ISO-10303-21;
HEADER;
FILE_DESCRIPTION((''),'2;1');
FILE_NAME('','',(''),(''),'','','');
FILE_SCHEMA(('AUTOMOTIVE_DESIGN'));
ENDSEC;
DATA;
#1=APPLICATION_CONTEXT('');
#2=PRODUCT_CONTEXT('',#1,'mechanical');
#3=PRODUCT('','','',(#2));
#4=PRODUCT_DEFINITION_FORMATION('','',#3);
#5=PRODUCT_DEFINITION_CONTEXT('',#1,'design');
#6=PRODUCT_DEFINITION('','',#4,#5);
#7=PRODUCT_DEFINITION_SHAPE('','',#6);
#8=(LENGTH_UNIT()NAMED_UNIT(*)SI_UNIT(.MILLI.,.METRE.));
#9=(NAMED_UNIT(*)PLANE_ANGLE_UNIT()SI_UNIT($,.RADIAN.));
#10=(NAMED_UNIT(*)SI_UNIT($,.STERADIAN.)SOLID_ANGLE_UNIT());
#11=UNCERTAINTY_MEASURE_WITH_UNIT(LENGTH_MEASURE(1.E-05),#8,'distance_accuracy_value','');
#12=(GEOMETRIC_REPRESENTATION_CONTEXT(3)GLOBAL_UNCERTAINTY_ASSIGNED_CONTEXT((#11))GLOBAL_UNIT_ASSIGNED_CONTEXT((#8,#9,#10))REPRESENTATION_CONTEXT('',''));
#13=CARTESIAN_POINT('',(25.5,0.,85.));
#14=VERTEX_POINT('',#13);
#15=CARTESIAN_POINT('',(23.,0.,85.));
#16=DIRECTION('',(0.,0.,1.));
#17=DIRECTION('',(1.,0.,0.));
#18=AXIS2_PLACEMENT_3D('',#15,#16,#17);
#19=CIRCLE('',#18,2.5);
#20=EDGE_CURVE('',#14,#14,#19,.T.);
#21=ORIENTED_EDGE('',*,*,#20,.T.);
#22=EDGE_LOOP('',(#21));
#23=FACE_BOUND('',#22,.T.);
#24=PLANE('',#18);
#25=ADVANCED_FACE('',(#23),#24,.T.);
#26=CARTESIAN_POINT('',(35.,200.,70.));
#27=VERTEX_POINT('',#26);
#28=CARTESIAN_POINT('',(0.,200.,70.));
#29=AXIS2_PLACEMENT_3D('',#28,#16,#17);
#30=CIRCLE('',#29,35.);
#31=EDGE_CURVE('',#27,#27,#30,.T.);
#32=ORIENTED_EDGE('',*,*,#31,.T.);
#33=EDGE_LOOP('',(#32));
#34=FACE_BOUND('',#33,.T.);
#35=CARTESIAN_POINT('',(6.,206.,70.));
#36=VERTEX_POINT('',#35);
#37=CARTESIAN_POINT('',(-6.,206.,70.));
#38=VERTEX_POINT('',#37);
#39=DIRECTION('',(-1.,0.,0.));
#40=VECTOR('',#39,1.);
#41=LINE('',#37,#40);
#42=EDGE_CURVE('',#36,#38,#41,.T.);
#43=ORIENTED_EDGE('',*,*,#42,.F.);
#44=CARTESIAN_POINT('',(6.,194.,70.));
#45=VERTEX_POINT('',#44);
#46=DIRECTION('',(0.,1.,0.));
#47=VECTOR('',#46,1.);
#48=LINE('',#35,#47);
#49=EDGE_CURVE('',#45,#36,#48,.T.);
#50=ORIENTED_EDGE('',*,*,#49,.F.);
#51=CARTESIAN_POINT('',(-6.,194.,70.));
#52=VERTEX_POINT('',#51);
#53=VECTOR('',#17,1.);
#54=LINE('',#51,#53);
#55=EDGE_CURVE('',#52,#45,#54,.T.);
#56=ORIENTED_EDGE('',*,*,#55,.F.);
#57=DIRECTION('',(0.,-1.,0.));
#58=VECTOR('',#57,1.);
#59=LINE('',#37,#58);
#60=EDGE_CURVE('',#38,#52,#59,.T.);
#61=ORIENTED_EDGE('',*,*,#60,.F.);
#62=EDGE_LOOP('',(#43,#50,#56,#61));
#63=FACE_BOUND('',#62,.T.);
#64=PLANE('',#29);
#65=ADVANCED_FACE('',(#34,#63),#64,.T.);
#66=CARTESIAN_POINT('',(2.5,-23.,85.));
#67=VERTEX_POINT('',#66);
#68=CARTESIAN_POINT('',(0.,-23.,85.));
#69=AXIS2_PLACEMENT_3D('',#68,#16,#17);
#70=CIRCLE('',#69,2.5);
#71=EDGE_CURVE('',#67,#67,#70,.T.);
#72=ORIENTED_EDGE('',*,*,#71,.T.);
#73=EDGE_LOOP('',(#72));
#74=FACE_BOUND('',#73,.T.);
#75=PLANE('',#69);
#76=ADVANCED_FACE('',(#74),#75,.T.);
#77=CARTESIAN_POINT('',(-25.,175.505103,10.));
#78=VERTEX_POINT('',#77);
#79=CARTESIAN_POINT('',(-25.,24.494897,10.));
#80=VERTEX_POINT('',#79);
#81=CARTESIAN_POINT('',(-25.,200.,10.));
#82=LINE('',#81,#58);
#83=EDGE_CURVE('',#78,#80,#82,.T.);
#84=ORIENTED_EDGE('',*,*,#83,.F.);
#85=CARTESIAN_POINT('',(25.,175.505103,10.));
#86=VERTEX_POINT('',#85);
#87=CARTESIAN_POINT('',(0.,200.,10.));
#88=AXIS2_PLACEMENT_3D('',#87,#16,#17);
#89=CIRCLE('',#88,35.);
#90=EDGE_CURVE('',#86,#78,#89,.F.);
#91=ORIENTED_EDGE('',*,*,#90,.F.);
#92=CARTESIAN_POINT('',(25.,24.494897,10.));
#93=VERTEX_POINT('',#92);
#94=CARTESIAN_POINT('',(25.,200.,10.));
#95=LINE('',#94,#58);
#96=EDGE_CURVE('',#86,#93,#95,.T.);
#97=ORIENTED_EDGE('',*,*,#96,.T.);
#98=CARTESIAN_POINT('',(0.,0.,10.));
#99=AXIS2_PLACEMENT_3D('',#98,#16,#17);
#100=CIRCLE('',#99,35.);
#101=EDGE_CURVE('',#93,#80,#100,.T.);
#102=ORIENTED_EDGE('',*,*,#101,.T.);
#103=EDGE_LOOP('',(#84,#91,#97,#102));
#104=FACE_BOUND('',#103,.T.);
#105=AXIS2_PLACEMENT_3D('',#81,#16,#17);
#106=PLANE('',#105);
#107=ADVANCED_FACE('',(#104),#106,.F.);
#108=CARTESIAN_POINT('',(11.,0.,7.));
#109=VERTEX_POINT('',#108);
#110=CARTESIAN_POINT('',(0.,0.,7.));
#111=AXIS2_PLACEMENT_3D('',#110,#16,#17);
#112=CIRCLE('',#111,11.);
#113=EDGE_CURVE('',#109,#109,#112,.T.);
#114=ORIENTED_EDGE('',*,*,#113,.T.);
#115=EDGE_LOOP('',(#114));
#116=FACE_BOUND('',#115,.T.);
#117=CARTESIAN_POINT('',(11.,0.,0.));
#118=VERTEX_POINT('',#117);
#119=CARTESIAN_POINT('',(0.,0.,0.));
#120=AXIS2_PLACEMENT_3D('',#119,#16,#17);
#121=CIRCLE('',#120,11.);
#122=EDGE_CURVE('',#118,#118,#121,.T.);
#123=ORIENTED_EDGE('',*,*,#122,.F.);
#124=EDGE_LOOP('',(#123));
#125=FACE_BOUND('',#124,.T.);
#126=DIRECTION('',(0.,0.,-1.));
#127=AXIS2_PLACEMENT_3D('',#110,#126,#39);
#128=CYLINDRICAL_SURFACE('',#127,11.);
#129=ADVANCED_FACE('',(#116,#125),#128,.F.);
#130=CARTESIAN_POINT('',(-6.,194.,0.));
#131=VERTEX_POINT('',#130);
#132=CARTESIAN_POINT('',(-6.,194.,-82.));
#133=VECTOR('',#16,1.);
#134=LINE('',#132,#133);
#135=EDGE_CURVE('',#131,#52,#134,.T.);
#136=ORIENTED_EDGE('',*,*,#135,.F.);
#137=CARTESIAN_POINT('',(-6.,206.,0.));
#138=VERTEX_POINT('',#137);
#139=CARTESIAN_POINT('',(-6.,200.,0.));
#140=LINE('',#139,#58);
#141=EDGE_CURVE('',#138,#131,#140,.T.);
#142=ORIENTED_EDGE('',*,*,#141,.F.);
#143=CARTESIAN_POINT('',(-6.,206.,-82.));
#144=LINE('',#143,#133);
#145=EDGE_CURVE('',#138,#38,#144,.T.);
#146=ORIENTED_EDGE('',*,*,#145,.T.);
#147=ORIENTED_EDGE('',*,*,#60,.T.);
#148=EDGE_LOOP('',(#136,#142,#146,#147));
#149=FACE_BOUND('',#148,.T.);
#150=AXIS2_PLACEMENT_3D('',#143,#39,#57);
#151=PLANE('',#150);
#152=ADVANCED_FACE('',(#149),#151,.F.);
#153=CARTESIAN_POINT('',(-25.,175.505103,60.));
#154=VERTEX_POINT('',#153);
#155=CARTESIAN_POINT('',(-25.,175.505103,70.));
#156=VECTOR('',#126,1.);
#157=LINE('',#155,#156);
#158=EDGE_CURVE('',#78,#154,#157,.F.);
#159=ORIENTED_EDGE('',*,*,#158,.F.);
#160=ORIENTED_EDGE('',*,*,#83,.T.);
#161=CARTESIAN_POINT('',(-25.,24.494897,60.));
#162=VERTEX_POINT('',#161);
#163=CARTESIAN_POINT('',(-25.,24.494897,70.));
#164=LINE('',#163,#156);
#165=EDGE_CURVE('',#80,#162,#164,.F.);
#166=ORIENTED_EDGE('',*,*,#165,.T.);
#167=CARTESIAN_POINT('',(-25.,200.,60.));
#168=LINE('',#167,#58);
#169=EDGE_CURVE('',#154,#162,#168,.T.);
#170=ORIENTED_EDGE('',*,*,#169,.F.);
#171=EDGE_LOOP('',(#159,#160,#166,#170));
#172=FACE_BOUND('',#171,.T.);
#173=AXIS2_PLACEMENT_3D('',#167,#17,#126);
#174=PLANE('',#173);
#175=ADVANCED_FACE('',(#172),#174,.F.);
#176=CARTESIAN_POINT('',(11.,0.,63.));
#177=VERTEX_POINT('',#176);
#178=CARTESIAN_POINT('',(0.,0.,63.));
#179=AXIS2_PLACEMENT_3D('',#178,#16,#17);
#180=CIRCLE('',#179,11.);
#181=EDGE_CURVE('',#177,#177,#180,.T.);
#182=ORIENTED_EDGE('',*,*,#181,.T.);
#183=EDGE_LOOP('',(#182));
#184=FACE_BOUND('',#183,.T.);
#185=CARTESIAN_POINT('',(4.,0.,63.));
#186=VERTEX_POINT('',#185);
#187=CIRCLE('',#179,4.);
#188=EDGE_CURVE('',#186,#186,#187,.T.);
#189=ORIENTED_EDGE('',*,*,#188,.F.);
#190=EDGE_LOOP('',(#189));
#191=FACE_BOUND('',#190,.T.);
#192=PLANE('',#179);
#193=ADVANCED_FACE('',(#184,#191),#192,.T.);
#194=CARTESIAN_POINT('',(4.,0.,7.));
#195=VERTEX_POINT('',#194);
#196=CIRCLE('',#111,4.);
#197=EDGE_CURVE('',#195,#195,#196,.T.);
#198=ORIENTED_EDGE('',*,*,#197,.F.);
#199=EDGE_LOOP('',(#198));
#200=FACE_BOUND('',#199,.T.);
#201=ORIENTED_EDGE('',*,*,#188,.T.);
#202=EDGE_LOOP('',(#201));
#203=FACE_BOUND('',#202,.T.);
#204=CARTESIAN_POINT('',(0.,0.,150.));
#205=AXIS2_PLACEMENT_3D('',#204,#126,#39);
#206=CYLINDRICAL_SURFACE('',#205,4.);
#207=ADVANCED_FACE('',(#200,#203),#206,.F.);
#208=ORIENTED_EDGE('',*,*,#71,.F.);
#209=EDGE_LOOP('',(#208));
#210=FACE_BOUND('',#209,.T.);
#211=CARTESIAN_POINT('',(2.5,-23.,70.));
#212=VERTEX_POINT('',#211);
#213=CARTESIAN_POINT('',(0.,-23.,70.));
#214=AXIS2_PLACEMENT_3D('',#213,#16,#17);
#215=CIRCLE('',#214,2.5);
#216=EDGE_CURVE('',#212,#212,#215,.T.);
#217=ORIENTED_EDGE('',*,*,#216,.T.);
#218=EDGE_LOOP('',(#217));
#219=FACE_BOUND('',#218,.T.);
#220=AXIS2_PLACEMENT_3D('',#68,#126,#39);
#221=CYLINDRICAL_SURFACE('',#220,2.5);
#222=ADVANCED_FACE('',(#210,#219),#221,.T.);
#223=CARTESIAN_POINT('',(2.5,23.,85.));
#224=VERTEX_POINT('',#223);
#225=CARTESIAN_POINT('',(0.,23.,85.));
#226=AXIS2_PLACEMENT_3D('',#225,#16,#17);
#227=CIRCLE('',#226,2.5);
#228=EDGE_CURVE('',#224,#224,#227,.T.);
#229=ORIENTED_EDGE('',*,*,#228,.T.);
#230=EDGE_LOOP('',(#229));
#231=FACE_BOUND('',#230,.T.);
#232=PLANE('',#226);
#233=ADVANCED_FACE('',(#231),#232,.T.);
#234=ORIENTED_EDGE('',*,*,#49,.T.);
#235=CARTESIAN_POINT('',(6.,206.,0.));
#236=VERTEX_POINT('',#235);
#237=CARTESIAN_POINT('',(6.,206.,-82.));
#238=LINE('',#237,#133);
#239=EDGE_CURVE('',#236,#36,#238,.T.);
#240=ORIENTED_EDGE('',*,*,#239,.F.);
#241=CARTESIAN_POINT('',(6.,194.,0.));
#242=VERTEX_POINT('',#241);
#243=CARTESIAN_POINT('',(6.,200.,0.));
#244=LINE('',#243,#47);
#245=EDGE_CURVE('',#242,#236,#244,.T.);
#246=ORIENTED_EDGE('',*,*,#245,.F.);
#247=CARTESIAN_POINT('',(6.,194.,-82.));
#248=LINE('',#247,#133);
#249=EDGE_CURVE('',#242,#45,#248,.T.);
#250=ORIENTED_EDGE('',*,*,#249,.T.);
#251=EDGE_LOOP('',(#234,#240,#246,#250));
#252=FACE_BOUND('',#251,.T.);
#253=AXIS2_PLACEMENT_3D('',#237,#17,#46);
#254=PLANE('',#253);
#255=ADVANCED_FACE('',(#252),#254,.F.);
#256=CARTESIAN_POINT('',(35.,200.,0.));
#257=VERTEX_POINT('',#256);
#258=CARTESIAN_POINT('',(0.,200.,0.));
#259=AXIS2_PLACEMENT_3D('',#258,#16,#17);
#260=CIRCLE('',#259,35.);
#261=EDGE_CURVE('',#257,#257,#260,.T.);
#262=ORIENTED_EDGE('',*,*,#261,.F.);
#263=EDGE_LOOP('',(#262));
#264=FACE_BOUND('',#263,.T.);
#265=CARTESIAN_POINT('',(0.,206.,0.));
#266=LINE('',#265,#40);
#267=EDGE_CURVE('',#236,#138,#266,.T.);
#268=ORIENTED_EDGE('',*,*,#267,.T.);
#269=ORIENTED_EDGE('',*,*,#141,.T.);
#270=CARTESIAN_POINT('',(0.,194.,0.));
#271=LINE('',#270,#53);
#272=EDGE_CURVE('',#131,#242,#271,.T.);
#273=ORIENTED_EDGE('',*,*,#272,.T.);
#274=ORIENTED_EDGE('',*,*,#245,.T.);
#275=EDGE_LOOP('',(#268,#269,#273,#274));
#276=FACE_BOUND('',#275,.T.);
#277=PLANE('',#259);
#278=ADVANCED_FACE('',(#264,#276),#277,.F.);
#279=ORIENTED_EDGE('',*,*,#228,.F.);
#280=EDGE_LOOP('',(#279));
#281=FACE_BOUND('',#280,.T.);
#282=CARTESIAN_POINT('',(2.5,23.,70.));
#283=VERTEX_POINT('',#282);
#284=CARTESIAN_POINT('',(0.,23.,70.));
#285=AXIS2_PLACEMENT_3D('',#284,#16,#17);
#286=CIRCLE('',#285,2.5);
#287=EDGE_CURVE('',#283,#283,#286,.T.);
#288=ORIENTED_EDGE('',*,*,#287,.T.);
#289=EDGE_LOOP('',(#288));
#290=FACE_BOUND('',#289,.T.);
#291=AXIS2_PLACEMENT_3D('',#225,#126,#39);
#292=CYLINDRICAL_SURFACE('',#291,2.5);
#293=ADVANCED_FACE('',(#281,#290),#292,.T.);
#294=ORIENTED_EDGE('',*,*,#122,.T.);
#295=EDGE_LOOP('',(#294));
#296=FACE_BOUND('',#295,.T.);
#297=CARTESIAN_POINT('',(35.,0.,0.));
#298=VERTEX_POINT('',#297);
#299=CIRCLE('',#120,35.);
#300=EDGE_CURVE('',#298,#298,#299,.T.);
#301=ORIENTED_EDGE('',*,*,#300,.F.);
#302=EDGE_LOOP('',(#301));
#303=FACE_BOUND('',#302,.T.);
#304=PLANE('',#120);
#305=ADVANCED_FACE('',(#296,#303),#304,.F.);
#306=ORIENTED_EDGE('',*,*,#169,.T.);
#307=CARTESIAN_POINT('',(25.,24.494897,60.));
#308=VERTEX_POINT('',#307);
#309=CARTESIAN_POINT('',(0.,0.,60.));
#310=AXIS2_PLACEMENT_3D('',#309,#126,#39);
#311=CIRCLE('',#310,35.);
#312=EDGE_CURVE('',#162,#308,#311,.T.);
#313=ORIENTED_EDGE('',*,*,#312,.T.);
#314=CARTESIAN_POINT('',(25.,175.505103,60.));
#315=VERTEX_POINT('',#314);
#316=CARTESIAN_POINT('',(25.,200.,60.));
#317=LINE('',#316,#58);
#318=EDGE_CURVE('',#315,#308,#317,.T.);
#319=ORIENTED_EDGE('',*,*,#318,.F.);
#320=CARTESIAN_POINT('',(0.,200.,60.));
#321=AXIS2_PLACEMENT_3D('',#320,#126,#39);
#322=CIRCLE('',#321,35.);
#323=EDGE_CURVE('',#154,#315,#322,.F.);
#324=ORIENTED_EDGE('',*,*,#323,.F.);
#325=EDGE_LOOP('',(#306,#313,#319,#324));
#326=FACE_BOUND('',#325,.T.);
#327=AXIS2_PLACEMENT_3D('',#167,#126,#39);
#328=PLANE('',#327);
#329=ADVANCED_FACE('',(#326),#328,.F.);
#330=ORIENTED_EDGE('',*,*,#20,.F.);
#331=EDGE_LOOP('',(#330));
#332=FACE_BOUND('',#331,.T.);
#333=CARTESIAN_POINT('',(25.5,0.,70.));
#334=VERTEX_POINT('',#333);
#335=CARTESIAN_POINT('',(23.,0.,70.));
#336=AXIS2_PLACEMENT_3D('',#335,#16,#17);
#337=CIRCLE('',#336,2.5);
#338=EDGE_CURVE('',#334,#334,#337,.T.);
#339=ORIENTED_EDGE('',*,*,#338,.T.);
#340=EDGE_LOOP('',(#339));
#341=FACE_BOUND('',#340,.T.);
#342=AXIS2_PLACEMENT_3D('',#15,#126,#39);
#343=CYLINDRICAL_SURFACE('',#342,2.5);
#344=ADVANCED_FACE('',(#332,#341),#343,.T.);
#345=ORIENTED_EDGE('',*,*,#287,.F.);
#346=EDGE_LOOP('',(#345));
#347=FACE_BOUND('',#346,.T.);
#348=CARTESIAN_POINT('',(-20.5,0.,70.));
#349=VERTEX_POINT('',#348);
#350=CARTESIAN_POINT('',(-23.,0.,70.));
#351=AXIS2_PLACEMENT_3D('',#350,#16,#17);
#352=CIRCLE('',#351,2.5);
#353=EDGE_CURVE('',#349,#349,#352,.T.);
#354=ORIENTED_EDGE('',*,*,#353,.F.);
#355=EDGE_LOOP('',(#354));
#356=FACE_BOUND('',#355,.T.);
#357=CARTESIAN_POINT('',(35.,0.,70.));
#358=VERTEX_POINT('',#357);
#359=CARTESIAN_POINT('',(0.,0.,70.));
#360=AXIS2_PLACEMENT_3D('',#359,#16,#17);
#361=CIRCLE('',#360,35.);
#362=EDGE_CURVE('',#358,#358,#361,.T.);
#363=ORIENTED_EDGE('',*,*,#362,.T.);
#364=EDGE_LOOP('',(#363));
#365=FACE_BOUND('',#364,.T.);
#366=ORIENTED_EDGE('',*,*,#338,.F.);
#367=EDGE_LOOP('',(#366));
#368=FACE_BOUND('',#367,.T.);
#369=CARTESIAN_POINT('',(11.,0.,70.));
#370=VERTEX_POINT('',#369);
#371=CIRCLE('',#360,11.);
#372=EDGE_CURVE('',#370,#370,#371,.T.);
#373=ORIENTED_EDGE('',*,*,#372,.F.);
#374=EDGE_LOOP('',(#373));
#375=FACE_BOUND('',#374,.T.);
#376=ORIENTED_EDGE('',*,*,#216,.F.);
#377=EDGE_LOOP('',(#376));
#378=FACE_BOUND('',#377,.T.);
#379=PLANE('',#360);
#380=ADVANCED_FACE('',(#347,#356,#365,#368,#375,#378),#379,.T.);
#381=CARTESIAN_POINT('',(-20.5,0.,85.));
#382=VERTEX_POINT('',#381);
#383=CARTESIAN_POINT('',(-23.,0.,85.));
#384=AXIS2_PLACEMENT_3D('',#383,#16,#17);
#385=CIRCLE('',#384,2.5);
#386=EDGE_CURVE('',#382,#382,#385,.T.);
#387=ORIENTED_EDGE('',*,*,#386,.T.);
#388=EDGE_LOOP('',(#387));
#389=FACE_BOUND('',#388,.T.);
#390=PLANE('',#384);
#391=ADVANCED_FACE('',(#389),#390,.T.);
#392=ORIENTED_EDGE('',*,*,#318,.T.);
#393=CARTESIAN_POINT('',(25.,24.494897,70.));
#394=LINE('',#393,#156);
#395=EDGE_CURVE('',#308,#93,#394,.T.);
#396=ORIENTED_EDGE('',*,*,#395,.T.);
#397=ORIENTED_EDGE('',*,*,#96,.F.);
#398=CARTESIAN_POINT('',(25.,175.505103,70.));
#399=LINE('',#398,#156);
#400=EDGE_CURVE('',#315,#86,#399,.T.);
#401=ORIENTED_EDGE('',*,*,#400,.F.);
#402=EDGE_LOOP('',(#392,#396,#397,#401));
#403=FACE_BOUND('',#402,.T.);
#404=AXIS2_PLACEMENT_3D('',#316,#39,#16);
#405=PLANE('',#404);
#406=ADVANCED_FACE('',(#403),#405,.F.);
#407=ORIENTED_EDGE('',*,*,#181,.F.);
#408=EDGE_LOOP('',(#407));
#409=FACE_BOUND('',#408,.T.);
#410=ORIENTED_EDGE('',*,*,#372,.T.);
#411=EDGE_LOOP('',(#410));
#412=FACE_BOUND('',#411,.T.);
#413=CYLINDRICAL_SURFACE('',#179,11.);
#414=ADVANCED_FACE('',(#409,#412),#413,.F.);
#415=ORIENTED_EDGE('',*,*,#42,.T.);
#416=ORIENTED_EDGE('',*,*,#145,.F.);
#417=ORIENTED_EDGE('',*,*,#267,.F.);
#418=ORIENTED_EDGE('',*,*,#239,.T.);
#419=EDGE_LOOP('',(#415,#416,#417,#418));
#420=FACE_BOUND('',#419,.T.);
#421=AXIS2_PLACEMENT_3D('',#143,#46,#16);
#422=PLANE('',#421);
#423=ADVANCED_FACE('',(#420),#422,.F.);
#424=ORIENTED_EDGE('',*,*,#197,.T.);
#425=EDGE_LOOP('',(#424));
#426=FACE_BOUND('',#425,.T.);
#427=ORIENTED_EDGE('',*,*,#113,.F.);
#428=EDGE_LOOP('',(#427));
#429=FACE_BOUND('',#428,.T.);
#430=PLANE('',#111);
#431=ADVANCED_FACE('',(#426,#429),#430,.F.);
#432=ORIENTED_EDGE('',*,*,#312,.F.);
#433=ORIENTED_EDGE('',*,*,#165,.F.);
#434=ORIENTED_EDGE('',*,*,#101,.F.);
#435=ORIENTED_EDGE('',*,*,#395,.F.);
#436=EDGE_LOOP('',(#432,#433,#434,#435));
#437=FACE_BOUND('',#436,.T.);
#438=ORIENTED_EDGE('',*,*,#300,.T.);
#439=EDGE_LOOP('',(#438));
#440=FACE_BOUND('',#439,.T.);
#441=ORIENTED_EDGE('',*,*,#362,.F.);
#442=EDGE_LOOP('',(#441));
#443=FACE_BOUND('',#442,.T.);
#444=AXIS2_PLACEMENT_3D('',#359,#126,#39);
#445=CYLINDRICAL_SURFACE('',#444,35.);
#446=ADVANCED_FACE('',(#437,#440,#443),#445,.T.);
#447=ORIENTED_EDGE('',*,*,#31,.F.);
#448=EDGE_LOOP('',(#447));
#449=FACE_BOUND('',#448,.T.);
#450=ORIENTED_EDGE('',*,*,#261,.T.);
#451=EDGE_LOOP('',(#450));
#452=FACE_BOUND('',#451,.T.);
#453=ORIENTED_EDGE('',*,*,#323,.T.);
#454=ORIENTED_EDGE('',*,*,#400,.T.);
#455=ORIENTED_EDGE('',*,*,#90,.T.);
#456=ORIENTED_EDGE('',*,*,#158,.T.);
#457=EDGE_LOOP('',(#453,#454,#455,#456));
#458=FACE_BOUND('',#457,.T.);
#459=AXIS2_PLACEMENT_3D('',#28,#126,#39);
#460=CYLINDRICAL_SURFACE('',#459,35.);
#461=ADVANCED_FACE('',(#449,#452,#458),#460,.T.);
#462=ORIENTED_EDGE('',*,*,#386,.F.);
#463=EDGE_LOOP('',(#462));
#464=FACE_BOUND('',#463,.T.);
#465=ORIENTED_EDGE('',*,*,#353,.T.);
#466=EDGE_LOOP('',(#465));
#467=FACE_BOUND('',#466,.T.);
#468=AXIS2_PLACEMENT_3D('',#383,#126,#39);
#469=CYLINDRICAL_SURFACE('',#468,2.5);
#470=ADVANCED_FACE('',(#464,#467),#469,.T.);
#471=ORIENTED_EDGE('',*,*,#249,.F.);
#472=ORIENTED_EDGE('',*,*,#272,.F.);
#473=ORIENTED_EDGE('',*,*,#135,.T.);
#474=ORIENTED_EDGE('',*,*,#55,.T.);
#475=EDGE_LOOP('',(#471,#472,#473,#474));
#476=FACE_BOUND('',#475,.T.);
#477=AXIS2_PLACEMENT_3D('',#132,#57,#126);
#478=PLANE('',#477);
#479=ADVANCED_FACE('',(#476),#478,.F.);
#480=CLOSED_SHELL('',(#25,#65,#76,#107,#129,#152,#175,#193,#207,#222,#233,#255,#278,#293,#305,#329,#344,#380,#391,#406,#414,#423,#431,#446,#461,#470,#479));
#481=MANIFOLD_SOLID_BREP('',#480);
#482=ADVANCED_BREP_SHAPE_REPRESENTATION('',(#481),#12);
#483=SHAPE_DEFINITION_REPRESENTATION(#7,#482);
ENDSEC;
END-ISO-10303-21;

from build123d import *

# Parameters (mm, degrees)
CROQUIS1_R              = 35
SALIENTE_EXTRUIR1_DEPTH = 70
CROQUIS2_W              = 50
CROQUIS2_H              = 50
SALIENTE_EXTRUIR2_DEPTH = 200
CROQUIS4_R              = 35
SALIENTE_EXTRUIR4_DEPTH = 70
CROQUIS5_R              = 4
CORTAR_EXTRUIR1_DEPTH   = 150
CROQUIS6_R              = 11
CORTAR_EXTRUIR3_DEPTH   = 7
CORTAR_EXTRUIR4_START   = -7
CROQUIS7_R              = 11
CORTAR_EXTRUIR4_DEPTH   = 7
CROQUIS8_R              = 2.5
SALIENTE_EXTRUIR5_DEPTH = 15
CROQUIS9_W              = 12
CROQUIS9_H              = 12
CORTAR_EXTRUIR5_DEPTH   = 152


with BuildPart() as part:
    # Croquis1 → Saliente-Extruir1 (new body)
    with BuildSketch(Plane.XY):
        Circle(CROQUIS1_R)
    extrude(amount=SALIENTE_EXTRUIR1_DEPTH)

    # Croquis2 → Saliente-Extruir2 (add)
    with BuildSketch(Plane(origin=(0, 0, 0), x_dir=(1, 0, 0), z_dir=(0, 1, 0))):
        with Locations((0, -35)):
            Rectangle(CROQUIS2_W, CROQUIS2_H)
    extrude(amount=SALIENTE_EXTRUIR2_DEPTH)

    # Croquis4 → Saliente-Extruir4 (add)
    with BuildSketch(Plane.XY):
        with Locations((0, 200)):
            Circle(CROQUIS4_R)
    extrude(amount=SALIENTE_EXTRUIR4_DEPTH)

    # Croquis5 → Cortar-Extruir1 (cut)
    with BuildSketch(Plane.XY):
        Circle(CROQUIS5_R)
    extrude(amount=CORTAR_EXTRUIR1_DEPTH, mode=Mode.SUBTRACT)

    # Croquis6 → Cortar-Extruir3 (cut)
    with BuildSketch(Plane.XY):
        Circle(CROQUIS6_R)
    extrude(amount=CORTAR_EXTRUIR3_DEPTH, mode=Mode.SUBTRACT)

    # Croquis7 → Cortar-Extruir4 (cut)
    with BuildSketch(Plane.XY.offset(70).offset(CORTAR_EXTRUIR4_START)):
        Circle(CROQUIS7_R)
    extrude(amount=CORTAR_EXTRUIR4_DEPTH, mode=Mode.SUBTRACT)

    # Croquis8 → Saliente-Extruir5 (add)
    with BuildSketch(Plane.XY.offset(70)):
        with Locations((-23, 0)):
            Circle(CROQUIS8_R)
        with Locations((0, -23)):
            Circle(CROQUIS8_R)
        with Locations((23, 0)):
            Circle(CROQUIS8_R)
        with Locations((0, 23)):
            Circle(CROQUIS8_R)
    extrude(amount=SALIENTE_EXTRUIR5_DEPTH)

    # Croquis9 → Cortar-Extruir5 (cut)
    with BuildSketch(Plane.XY.offset(70)):
        with Locations((0, 200)):
            Rectangle(CROQUIS9_W, CROQUIS9_H)
    extrude(amount=-CORTAR_EXTRUIR5_DEPTH, mode=Mode.SUBTRACT)


solid = part.part
